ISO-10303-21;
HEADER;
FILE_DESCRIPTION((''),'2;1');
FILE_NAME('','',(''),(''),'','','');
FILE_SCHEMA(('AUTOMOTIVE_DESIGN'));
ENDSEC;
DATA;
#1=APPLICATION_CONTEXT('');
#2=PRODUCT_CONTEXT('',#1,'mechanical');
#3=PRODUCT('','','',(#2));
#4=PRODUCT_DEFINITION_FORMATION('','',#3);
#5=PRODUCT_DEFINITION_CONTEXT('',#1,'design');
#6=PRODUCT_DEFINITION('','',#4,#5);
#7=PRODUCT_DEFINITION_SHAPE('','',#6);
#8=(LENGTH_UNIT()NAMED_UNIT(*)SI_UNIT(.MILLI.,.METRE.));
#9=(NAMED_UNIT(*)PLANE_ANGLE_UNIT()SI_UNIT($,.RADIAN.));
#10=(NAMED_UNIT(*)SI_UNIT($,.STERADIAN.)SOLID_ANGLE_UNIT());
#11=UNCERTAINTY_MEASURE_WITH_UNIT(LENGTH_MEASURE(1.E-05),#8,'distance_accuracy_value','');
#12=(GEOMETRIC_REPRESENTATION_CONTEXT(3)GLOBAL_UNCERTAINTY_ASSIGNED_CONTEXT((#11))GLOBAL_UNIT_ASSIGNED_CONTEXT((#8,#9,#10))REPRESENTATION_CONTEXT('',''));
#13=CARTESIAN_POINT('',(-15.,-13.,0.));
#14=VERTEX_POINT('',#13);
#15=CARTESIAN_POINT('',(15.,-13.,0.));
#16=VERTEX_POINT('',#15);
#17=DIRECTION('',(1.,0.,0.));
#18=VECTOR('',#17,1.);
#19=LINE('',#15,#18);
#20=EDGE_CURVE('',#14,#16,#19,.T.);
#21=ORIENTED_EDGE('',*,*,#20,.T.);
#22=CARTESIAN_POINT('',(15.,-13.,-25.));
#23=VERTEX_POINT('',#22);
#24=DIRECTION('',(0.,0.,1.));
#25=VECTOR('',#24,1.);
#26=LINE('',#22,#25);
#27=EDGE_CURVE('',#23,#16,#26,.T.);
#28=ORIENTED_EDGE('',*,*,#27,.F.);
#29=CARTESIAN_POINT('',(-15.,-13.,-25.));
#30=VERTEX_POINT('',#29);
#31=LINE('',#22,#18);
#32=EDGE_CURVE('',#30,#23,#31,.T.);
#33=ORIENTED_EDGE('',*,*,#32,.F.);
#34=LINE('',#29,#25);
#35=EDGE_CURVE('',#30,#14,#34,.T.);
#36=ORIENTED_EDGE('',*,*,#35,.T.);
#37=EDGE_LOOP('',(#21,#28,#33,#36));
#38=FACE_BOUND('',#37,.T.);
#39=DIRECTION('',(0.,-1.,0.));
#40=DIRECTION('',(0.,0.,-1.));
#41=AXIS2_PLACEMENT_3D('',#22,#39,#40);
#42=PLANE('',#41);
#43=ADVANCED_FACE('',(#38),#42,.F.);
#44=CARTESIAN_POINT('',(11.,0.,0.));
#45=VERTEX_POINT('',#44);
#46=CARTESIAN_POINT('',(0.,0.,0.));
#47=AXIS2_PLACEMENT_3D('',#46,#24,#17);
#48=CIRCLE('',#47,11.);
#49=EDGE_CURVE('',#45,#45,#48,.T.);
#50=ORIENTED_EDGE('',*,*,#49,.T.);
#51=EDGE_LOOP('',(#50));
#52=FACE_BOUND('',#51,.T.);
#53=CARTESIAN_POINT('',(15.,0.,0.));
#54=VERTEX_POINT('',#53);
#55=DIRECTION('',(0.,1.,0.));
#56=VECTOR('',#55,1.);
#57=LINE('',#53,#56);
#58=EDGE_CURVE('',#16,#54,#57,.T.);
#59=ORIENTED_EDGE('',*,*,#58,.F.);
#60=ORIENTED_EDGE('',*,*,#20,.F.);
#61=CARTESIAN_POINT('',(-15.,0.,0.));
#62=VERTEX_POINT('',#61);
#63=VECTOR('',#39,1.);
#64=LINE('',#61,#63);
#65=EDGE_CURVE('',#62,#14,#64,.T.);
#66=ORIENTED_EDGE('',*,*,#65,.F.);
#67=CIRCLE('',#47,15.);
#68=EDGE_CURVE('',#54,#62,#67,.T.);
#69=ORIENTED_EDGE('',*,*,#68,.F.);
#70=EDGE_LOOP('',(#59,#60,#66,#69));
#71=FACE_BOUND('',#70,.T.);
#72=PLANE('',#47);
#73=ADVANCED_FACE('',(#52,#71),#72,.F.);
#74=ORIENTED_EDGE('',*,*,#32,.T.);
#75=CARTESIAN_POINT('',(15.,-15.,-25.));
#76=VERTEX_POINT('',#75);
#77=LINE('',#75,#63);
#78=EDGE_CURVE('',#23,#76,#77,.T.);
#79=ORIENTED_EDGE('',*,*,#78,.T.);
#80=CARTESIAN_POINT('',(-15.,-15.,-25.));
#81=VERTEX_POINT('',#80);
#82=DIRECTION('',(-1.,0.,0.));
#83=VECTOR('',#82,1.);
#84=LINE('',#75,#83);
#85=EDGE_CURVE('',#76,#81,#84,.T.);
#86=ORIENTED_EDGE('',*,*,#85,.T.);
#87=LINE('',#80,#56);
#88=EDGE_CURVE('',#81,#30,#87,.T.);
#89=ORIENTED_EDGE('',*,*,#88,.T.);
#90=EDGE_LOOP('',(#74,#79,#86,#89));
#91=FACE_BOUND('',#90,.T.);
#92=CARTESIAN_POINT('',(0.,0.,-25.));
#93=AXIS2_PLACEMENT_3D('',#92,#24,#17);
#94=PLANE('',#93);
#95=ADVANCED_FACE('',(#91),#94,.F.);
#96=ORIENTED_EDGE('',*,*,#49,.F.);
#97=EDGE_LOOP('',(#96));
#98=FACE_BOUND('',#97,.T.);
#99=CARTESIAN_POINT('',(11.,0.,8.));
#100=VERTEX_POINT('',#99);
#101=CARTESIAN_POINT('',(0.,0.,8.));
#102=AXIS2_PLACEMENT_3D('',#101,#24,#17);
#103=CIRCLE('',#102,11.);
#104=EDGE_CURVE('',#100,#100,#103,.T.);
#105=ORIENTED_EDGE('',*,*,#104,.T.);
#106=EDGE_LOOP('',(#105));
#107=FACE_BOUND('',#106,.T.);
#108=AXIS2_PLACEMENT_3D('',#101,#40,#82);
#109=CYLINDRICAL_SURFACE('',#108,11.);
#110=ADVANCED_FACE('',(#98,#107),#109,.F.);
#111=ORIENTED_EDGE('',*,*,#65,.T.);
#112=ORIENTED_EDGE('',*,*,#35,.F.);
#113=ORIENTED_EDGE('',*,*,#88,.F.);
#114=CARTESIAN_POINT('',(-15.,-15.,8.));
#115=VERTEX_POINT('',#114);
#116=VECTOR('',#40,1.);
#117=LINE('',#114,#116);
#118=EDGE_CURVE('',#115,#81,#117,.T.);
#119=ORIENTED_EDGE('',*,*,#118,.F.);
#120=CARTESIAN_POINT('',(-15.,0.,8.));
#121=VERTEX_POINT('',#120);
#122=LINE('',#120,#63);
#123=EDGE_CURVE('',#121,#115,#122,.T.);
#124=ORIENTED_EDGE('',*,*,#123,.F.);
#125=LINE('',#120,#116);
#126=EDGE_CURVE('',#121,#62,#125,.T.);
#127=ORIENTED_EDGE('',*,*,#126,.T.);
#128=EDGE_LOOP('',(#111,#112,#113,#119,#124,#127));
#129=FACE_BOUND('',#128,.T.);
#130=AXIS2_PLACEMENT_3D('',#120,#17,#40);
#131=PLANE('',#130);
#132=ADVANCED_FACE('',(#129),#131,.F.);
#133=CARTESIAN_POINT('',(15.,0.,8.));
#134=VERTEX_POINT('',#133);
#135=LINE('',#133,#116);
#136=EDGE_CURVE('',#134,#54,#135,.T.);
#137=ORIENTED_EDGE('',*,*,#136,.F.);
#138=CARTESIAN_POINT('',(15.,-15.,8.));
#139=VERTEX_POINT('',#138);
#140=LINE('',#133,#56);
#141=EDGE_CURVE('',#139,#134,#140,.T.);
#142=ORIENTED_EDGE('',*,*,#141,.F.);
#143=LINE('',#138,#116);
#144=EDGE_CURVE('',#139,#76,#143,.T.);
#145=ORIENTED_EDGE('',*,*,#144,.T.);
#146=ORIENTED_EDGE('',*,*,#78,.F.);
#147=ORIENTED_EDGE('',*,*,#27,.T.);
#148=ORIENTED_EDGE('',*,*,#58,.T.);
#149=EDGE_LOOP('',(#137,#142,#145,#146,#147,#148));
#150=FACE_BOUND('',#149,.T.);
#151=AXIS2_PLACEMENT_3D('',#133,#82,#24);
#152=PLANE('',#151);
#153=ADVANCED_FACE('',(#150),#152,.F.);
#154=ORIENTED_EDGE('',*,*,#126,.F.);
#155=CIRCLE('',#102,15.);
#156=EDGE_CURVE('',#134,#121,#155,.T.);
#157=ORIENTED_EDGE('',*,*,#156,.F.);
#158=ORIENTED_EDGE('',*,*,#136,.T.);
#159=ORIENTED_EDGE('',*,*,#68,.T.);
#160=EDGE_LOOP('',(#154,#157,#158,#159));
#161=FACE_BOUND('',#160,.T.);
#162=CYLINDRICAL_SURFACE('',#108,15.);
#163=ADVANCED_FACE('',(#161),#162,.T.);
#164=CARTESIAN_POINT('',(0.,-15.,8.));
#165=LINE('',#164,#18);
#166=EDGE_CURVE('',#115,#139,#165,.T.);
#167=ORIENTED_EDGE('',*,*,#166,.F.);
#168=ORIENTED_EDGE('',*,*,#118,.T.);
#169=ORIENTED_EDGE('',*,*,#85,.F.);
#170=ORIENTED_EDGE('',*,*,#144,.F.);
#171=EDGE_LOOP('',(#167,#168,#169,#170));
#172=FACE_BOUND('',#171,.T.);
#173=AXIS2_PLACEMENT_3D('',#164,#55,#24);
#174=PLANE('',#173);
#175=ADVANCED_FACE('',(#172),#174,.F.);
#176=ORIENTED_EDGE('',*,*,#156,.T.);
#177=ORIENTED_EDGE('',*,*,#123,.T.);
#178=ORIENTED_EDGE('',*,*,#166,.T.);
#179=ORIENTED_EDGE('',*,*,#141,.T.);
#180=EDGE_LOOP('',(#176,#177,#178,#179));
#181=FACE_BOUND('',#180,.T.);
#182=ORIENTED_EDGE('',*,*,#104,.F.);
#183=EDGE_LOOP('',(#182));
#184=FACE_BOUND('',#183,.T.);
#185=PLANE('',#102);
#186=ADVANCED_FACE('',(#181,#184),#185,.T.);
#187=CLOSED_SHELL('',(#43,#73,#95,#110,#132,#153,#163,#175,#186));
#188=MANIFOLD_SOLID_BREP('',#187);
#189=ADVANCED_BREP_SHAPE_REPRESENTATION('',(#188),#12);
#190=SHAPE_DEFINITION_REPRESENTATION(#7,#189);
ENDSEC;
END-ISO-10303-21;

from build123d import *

# Parameters (mm, degrees)
SKETCH2_R           = 11
BOSS_EXTRUDE1_DEPTH = 8
SKETCH3_W           = 30
SKETCH3_H           = 2
BOSS_EXTRUDE2_DEPTH = 25


with BuildPart() as part:
    # Sketch2 → Boss-Extrude1 (new body)
    with BuildSketch(Plane.XY):
        with BuildLine():
            Line((0, -15), (-15, -15))
            Line((-15, -15), (-15, 0))
            ThreePointArc((-15, 0), (0, 15), (15, 0))
            Line((15, 0), (15, -15))
            Line((15, -15), (0, -15))
        make_face()
        Circle(SKETCH2_R, mode=Mode.SUBTRACT)
    extrude(amount=BOSS_EXTRUDE1_DEPTH)

    # Sketch3 → Boss-Extrude2 (add)
    with BuildSketch(Plane(origin=(0, 0, 0), x_dir=(-1, 0, 0), z_dir=(0, 0, -1))):
        with Locations((0, -14)):
            Rectangle(SKETCH3_W, SKETCH3_H)
    extrude(amount=BOSS_EXTRUDE2_DEPTH)


solid = part.part
